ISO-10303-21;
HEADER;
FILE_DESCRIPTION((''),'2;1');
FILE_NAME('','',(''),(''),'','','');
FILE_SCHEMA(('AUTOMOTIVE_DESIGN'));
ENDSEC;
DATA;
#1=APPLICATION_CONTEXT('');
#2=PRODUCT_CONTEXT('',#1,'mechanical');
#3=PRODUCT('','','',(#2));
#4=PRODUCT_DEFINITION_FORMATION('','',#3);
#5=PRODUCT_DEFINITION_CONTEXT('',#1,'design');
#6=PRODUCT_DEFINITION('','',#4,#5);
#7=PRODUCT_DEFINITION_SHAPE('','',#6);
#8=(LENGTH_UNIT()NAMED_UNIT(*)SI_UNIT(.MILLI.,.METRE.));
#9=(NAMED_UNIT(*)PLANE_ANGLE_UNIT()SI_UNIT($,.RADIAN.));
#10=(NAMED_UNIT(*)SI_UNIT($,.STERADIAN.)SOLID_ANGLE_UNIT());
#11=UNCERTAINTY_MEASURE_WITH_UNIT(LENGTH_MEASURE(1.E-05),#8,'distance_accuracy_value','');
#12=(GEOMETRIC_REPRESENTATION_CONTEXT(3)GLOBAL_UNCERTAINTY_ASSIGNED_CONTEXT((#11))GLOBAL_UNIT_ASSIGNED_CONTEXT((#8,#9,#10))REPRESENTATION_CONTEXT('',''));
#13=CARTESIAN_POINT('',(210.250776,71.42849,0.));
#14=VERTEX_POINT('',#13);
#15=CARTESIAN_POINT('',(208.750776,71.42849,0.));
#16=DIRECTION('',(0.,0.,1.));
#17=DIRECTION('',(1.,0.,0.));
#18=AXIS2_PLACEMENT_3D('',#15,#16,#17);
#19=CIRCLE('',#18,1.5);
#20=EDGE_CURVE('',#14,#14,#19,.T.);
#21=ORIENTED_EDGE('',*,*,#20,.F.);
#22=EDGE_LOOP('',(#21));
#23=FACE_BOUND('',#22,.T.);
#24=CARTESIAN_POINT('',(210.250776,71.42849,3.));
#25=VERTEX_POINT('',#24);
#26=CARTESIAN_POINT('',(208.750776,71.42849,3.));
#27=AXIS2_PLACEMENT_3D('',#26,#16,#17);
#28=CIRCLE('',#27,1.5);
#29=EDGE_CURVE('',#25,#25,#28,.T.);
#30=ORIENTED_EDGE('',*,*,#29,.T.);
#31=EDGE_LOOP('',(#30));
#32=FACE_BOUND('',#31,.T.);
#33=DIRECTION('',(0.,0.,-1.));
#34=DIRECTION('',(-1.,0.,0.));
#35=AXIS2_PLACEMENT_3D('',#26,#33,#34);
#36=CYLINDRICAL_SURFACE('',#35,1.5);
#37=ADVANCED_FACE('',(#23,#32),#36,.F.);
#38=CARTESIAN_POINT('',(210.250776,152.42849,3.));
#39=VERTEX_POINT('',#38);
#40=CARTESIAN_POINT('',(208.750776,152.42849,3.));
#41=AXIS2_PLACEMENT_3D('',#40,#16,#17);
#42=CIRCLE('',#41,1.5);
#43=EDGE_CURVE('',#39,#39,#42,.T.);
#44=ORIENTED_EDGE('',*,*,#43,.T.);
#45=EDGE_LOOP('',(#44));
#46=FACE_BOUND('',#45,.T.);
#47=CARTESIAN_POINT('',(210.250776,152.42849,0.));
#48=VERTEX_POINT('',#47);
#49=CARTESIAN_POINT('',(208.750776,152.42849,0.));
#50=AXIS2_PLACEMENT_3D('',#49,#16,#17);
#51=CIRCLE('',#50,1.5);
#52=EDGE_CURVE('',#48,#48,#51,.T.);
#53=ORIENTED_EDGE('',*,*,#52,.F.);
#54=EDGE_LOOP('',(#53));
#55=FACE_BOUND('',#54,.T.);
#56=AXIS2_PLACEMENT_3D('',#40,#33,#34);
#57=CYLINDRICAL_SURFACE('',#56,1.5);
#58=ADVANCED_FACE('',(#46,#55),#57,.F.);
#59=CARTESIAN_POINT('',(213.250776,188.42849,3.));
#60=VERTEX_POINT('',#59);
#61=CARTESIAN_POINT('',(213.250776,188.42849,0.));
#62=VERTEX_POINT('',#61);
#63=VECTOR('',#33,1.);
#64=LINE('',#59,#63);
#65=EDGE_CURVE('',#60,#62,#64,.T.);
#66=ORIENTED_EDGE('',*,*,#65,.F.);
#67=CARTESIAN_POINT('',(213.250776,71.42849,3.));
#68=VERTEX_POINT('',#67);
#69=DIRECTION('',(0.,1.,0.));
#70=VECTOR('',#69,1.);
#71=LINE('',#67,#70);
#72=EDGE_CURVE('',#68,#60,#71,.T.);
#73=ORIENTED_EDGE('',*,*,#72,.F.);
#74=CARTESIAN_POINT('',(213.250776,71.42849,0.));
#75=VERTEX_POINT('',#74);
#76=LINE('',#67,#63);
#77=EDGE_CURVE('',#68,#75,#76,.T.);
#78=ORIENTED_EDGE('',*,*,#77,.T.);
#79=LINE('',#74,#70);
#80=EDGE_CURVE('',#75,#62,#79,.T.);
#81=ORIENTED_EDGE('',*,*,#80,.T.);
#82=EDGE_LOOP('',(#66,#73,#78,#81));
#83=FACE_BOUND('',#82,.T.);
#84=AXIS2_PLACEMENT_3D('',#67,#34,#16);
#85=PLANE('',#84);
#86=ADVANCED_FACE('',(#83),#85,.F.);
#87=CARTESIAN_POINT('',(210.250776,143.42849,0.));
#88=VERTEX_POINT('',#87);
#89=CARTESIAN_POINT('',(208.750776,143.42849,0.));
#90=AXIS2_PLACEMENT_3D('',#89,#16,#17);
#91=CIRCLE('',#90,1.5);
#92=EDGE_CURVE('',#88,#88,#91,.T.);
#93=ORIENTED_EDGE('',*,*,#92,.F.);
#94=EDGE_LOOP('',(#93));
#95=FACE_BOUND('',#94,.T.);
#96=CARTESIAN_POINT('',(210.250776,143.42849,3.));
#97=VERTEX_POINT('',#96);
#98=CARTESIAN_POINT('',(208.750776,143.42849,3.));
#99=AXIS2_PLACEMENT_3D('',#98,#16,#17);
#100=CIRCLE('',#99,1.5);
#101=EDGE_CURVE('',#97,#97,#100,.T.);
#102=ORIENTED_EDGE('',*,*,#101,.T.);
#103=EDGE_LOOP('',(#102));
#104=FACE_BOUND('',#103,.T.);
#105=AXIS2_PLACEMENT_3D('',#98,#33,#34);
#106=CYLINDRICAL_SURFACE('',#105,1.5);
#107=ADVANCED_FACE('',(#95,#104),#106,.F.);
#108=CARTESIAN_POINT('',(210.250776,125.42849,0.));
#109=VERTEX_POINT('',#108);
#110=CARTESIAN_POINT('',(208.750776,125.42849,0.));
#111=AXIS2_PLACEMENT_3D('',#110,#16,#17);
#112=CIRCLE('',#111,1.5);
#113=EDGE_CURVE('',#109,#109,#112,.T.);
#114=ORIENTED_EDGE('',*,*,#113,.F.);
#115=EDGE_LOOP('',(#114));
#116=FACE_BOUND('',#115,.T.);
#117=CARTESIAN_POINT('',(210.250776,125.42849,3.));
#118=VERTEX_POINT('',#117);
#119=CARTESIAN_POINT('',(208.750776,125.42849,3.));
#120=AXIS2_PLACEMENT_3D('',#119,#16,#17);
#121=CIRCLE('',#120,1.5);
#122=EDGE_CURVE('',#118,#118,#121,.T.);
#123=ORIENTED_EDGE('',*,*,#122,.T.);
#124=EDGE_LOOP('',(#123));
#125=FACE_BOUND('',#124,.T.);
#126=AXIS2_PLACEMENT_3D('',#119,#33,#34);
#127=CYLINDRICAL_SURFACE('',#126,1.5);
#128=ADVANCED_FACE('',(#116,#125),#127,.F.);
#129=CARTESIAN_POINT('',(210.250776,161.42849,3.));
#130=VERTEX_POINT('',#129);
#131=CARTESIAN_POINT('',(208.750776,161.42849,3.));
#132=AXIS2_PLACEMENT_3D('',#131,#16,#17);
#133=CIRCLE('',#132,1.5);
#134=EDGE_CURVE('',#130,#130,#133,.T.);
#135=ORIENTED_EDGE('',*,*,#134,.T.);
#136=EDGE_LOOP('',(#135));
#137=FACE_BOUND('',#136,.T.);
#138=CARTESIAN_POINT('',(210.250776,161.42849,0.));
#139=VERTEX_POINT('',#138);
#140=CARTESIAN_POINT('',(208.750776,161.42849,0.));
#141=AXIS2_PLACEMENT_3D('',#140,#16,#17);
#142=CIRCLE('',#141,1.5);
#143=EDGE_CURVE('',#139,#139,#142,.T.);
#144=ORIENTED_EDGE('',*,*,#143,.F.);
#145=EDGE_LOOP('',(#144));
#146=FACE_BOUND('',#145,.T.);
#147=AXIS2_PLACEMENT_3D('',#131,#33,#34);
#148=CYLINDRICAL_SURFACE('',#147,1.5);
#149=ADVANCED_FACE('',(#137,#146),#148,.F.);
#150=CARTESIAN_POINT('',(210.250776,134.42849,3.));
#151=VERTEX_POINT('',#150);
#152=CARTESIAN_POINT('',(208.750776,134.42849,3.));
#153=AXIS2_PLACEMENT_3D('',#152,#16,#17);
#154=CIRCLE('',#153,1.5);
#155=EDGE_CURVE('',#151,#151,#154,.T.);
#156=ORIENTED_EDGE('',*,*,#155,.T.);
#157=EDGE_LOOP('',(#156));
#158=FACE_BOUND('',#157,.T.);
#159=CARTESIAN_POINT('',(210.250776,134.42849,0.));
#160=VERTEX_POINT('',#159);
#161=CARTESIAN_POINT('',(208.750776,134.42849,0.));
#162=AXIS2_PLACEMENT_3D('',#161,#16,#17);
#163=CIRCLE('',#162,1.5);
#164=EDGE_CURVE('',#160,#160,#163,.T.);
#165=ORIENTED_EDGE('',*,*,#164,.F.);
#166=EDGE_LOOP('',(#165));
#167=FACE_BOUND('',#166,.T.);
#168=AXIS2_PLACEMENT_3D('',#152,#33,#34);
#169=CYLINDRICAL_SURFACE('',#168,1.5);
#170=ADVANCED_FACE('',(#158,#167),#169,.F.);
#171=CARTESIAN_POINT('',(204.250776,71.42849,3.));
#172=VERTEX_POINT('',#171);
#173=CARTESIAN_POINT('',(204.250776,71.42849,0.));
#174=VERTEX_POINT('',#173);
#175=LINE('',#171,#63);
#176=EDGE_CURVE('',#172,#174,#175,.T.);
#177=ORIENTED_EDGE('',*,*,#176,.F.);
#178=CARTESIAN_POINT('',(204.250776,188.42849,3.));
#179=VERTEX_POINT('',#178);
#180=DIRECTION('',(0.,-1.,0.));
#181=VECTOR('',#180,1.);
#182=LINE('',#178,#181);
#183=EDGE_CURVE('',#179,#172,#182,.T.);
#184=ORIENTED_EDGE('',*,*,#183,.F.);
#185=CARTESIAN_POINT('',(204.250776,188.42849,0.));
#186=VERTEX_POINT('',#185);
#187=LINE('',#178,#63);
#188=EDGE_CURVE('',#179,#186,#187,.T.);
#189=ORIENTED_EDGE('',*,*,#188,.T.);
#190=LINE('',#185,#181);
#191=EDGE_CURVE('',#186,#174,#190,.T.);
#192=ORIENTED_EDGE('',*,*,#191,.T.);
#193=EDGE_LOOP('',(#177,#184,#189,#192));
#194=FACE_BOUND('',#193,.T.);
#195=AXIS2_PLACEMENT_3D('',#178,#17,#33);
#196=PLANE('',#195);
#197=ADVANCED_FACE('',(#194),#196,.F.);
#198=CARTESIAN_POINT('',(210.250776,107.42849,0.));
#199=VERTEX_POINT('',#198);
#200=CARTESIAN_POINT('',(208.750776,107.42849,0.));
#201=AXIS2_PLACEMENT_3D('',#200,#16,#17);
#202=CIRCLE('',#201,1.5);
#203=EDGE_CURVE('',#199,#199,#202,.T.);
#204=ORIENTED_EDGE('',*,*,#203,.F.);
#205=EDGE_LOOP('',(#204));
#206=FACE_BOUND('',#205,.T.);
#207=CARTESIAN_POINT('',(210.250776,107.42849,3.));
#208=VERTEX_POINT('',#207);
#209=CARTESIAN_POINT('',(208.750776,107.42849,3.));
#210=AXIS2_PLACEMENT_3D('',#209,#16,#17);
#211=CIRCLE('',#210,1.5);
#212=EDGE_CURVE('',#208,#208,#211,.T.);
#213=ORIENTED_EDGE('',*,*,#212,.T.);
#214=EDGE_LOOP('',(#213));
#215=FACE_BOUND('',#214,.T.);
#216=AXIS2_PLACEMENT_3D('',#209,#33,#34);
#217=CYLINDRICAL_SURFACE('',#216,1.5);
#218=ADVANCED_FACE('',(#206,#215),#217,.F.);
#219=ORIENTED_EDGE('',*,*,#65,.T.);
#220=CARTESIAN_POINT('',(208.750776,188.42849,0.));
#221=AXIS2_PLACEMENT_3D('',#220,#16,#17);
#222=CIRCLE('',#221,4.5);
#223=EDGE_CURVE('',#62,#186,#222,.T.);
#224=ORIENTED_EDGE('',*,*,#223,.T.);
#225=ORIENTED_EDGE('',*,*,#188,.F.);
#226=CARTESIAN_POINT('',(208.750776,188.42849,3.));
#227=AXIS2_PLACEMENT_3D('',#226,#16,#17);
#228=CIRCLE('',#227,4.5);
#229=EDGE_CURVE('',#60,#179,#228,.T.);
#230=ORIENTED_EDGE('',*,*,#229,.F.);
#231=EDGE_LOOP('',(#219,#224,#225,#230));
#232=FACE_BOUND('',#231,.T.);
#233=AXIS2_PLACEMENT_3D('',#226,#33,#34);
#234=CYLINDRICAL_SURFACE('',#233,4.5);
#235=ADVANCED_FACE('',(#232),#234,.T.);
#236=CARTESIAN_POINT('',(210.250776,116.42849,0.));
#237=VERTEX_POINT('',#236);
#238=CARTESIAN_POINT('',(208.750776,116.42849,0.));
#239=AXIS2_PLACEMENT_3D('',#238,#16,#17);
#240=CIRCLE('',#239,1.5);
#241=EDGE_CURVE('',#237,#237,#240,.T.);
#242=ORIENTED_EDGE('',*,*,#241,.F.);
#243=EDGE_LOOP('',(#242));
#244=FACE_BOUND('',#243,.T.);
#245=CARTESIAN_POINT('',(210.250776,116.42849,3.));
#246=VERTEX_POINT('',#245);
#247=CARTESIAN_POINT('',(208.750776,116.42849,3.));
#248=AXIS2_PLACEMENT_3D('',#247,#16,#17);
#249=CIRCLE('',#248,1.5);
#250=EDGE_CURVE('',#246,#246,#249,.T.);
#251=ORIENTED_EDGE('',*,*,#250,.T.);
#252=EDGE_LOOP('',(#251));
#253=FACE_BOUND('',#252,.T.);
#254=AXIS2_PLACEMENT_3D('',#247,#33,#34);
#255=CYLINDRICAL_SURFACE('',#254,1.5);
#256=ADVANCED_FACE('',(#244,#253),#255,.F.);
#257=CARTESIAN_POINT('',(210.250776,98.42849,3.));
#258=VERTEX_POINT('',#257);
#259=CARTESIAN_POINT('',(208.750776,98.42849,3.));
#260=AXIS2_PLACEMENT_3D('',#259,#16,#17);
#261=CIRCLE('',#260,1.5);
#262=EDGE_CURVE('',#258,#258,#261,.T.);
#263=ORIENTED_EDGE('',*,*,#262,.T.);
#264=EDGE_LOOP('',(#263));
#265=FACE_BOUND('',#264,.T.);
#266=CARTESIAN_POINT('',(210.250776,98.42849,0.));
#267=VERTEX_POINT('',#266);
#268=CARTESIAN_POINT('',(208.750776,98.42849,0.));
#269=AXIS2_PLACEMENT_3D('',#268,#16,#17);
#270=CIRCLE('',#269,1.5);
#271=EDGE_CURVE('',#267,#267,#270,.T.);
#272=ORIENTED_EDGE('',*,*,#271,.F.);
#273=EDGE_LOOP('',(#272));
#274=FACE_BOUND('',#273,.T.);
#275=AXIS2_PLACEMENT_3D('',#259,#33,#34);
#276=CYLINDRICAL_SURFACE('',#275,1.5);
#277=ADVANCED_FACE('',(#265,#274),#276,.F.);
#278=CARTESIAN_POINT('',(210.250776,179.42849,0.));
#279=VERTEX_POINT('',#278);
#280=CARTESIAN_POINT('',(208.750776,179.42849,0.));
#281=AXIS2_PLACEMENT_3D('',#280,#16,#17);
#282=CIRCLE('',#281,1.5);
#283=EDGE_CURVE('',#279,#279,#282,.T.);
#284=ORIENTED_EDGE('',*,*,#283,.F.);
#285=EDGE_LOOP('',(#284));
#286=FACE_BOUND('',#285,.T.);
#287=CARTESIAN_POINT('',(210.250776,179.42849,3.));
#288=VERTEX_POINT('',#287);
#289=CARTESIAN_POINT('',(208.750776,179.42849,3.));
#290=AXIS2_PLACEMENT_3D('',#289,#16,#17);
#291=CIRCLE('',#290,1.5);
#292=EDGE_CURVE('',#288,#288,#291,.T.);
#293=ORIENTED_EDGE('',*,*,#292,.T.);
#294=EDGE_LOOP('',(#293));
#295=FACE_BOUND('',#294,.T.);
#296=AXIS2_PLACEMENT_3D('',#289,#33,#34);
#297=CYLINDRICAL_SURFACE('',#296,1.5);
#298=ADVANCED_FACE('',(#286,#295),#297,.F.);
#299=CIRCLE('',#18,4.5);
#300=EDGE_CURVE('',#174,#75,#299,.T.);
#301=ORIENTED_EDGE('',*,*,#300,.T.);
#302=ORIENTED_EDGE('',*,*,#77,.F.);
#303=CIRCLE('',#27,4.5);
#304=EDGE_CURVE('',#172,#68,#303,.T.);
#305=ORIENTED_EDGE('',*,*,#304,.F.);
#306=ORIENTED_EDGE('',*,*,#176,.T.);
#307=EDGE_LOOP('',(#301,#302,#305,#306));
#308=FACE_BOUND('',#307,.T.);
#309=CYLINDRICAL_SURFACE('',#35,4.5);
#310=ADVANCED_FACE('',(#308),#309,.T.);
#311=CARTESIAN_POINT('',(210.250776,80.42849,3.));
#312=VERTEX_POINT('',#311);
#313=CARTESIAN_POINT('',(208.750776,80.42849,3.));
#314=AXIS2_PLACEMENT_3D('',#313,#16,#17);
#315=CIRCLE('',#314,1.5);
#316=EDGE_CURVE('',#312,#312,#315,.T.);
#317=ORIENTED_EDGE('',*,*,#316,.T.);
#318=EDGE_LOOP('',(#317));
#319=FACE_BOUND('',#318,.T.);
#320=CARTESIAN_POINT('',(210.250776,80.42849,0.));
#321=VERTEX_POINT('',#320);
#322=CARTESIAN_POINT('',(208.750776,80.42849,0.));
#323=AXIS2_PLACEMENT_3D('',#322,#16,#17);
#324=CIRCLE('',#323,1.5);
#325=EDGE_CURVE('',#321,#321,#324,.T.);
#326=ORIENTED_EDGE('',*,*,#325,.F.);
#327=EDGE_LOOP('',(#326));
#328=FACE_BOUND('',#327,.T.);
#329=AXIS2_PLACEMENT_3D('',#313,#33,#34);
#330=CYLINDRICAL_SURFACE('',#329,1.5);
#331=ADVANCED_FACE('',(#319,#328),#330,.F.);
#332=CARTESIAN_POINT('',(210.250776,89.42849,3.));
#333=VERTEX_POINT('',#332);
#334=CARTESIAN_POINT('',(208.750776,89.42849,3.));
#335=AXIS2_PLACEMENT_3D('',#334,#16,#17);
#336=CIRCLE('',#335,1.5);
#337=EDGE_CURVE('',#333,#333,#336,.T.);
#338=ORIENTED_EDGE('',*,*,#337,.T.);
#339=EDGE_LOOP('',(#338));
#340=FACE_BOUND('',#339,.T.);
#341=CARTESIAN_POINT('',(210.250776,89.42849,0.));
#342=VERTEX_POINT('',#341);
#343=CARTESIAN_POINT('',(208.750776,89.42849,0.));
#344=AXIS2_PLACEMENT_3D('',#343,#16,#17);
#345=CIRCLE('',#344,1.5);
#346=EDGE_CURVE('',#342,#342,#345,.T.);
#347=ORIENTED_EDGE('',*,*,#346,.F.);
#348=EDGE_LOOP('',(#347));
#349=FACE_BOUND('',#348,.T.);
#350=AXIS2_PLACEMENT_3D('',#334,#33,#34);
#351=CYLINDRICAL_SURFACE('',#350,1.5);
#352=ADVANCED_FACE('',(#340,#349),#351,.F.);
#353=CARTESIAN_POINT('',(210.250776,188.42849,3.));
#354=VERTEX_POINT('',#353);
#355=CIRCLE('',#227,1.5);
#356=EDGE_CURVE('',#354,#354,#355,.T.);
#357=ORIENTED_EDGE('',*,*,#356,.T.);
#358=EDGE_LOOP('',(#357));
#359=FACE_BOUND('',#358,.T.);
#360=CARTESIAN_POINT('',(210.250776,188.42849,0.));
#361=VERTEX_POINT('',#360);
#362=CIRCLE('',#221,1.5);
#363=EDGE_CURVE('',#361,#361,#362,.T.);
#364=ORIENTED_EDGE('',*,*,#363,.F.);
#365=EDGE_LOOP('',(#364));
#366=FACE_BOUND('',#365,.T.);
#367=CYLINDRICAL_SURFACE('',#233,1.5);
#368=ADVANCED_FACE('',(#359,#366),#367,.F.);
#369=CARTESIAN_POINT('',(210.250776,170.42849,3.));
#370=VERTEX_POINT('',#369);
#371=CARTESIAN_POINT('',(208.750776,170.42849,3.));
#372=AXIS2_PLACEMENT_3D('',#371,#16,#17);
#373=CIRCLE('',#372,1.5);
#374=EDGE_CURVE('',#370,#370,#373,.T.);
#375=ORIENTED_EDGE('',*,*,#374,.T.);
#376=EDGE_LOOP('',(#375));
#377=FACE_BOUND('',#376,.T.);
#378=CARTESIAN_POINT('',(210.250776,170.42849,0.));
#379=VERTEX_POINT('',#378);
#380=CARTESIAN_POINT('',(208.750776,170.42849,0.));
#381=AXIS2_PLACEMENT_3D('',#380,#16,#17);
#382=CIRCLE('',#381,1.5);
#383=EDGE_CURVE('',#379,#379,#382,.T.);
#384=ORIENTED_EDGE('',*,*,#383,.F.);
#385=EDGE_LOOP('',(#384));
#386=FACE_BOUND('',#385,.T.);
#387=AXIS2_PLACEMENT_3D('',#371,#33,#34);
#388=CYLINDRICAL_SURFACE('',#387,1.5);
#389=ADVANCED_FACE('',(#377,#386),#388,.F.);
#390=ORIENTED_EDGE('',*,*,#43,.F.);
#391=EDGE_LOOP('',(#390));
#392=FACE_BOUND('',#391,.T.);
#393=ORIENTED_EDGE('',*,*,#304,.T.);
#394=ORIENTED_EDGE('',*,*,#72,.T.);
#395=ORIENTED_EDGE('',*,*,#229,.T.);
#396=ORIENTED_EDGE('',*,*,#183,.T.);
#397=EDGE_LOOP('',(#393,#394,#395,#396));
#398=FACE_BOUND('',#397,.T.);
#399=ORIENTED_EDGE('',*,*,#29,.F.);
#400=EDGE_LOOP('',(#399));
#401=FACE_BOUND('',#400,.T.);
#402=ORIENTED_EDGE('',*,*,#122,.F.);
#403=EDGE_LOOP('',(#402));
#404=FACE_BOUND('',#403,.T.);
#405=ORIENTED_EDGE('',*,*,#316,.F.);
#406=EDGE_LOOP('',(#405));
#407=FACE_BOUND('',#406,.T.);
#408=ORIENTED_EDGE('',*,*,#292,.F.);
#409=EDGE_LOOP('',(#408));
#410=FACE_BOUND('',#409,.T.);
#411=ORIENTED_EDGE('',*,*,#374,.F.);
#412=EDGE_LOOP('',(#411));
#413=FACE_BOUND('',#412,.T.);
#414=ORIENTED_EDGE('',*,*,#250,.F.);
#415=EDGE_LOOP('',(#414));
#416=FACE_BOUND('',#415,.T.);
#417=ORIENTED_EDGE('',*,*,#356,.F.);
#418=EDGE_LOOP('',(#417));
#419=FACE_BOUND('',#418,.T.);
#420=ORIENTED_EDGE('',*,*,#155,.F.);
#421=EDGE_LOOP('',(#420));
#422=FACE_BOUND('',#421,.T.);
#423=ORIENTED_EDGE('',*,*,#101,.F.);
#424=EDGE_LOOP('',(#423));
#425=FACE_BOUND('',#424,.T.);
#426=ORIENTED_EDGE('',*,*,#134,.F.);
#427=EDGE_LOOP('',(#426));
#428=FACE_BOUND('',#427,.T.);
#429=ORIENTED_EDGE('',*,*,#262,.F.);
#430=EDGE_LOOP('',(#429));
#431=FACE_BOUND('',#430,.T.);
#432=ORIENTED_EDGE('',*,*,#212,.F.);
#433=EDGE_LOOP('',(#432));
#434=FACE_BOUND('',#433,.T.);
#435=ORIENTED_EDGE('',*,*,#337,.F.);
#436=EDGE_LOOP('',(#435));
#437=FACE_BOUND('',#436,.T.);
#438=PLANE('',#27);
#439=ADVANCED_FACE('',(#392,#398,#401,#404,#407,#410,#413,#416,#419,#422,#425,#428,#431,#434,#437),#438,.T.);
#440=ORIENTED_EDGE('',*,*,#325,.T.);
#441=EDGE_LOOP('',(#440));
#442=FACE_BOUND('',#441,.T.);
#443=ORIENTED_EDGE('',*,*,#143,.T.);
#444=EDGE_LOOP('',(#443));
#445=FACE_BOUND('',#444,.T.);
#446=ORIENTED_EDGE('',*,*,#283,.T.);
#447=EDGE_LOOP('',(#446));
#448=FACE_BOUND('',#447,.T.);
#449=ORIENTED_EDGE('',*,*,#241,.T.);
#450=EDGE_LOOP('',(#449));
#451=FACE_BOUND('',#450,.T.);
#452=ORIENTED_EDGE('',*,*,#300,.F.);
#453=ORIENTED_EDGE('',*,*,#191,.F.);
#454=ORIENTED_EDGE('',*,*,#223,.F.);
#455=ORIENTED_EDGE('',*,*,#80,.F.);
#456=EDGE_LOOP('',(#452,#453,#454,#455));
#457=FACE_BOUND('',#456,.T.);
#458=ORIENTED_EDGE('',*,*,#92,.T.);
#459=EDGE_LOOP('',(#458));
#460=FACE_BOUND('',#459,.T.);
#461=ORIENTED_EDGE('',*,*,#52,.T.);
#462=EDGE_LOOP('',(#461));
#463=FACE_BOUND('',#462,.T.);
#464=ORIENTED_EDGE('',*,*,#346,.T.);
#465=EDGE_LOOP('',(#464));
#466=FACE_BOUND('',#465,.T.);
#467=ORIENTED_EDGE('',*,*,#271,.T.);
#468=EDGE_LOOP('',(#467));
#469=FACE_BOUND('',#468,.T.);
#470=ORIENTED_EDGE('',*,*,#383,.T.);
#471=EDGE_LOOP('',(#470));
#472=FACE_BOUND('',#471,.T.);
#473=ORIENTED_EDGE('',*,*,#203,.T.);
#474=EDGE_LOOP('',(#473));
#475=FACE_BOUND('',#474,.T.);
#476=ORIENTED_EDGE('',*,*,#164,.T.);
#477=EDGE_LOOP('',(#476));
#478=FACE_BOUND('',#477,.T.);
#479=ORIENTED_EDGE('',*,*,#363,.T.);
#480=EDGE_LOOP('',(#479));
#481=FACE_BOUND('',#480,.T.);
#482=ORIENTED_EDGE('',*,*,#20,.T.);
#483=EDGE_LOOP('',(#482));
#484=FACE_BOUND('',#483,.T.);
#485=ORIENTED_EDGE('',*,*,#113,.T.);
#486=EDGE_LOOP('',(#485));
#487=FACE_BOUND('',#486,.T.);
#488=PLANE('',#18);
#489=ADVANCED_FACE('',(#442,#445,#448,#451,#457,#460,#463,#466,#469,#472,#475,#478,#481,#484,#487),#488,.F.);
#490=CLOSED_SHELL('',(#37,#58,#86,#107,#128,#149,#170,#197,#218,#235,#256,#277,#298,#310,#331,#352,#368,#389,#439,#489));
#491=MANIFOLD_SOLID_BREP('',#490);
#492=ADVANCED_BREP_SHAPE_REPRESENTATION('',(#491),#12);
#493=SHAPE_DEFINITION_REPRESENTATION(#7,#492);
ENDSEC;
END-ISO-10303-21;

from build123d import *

# Parameters (mm, degrees)
MODEL_R                 = 1.5
SALIENTE_EXTRUIR1_DEPTH = 3


with BuildPart() as part:
    # Model → Saliente-Extruir1 (new body)
    with BuildSketch(Plane.XY):
        with BuildLine():
            Line((213.25077615, 71.428489513), (213.25077615, 188.428489513))
            ThreePointArc((213.25077615, 188.428489513), (208.75077615, 192.928489513), (204.25077615, 188.428489513))
            Line((204.25077615, 188.428489513), (204.25077615, 71.428489513))
            ThreePointArc((204.25077615, 71.428489513), (208.75077615, 66.928489513), (213.25077615, 71.428489513))
        make_face()
        with Locations((208.75077615, 179.428489513)):
            Circle(MODEL_R, mode=Mode.SUBTRACT)
        with Locations((208.75077615, 188.428489513)):
            Circle(MODEL_R, mode=Mode.SUBTRACT)
        with Locations((208.75077615, 152.428489513)):
            Circle(MODEL_R, mode=Mode.SUBTRACT)
        with Locations((208.75077615, 161.428489513)):
            Circle(MODEL_R, mode=Mode.SUBTRACT)
        with Locations((208.75077615, 170.428489513)):
            Circle(MODEL_R, mode=Mode.SUBTRACT)
        with Locations((208.75077615, 143.428489513)):
            Circle(MODEL_R, mode=Mode.SUBTRACT)
        with Locations((208.75077615, 116.428489513)):
            Circle(MODEL_R, mode=Mode.SUBTRACT)
        with Locations((208.75077615, 125.428489513)):
            Circle(MODEL_R, mode=Mode.SUBTRACT)
        with Locations((208.75077615, 134.428489513)):
            Circle(MODEL_R, mode=Mode.SUBTRACT)
        with Locations((208.75077615, 71.428489513)):
            Circle(MODEL_R, mode=Mode.SUBTRACT)
        with Locations((208.75077615, 80.428489513)):
            Circle(MODEL_R, mode=Mode.SUBTRACT)
        with Locations((208.75077615, 89.428489513)):
            Circle(MODEL_R, mode=Mode.SUBTRACT)
        with Locations((208.75077615, 98.428489513)):
            Circle(MODEL_R, mode=Mode.SUBTRACT)
        with Locations((208.75077615, 107.428489513)):
            Circle(MODEL_R, mode=Mode.SUBTRACT)
    extrude(amount=SALIENTE_EXTRUIR1_DEPTH)


solid = part.part
